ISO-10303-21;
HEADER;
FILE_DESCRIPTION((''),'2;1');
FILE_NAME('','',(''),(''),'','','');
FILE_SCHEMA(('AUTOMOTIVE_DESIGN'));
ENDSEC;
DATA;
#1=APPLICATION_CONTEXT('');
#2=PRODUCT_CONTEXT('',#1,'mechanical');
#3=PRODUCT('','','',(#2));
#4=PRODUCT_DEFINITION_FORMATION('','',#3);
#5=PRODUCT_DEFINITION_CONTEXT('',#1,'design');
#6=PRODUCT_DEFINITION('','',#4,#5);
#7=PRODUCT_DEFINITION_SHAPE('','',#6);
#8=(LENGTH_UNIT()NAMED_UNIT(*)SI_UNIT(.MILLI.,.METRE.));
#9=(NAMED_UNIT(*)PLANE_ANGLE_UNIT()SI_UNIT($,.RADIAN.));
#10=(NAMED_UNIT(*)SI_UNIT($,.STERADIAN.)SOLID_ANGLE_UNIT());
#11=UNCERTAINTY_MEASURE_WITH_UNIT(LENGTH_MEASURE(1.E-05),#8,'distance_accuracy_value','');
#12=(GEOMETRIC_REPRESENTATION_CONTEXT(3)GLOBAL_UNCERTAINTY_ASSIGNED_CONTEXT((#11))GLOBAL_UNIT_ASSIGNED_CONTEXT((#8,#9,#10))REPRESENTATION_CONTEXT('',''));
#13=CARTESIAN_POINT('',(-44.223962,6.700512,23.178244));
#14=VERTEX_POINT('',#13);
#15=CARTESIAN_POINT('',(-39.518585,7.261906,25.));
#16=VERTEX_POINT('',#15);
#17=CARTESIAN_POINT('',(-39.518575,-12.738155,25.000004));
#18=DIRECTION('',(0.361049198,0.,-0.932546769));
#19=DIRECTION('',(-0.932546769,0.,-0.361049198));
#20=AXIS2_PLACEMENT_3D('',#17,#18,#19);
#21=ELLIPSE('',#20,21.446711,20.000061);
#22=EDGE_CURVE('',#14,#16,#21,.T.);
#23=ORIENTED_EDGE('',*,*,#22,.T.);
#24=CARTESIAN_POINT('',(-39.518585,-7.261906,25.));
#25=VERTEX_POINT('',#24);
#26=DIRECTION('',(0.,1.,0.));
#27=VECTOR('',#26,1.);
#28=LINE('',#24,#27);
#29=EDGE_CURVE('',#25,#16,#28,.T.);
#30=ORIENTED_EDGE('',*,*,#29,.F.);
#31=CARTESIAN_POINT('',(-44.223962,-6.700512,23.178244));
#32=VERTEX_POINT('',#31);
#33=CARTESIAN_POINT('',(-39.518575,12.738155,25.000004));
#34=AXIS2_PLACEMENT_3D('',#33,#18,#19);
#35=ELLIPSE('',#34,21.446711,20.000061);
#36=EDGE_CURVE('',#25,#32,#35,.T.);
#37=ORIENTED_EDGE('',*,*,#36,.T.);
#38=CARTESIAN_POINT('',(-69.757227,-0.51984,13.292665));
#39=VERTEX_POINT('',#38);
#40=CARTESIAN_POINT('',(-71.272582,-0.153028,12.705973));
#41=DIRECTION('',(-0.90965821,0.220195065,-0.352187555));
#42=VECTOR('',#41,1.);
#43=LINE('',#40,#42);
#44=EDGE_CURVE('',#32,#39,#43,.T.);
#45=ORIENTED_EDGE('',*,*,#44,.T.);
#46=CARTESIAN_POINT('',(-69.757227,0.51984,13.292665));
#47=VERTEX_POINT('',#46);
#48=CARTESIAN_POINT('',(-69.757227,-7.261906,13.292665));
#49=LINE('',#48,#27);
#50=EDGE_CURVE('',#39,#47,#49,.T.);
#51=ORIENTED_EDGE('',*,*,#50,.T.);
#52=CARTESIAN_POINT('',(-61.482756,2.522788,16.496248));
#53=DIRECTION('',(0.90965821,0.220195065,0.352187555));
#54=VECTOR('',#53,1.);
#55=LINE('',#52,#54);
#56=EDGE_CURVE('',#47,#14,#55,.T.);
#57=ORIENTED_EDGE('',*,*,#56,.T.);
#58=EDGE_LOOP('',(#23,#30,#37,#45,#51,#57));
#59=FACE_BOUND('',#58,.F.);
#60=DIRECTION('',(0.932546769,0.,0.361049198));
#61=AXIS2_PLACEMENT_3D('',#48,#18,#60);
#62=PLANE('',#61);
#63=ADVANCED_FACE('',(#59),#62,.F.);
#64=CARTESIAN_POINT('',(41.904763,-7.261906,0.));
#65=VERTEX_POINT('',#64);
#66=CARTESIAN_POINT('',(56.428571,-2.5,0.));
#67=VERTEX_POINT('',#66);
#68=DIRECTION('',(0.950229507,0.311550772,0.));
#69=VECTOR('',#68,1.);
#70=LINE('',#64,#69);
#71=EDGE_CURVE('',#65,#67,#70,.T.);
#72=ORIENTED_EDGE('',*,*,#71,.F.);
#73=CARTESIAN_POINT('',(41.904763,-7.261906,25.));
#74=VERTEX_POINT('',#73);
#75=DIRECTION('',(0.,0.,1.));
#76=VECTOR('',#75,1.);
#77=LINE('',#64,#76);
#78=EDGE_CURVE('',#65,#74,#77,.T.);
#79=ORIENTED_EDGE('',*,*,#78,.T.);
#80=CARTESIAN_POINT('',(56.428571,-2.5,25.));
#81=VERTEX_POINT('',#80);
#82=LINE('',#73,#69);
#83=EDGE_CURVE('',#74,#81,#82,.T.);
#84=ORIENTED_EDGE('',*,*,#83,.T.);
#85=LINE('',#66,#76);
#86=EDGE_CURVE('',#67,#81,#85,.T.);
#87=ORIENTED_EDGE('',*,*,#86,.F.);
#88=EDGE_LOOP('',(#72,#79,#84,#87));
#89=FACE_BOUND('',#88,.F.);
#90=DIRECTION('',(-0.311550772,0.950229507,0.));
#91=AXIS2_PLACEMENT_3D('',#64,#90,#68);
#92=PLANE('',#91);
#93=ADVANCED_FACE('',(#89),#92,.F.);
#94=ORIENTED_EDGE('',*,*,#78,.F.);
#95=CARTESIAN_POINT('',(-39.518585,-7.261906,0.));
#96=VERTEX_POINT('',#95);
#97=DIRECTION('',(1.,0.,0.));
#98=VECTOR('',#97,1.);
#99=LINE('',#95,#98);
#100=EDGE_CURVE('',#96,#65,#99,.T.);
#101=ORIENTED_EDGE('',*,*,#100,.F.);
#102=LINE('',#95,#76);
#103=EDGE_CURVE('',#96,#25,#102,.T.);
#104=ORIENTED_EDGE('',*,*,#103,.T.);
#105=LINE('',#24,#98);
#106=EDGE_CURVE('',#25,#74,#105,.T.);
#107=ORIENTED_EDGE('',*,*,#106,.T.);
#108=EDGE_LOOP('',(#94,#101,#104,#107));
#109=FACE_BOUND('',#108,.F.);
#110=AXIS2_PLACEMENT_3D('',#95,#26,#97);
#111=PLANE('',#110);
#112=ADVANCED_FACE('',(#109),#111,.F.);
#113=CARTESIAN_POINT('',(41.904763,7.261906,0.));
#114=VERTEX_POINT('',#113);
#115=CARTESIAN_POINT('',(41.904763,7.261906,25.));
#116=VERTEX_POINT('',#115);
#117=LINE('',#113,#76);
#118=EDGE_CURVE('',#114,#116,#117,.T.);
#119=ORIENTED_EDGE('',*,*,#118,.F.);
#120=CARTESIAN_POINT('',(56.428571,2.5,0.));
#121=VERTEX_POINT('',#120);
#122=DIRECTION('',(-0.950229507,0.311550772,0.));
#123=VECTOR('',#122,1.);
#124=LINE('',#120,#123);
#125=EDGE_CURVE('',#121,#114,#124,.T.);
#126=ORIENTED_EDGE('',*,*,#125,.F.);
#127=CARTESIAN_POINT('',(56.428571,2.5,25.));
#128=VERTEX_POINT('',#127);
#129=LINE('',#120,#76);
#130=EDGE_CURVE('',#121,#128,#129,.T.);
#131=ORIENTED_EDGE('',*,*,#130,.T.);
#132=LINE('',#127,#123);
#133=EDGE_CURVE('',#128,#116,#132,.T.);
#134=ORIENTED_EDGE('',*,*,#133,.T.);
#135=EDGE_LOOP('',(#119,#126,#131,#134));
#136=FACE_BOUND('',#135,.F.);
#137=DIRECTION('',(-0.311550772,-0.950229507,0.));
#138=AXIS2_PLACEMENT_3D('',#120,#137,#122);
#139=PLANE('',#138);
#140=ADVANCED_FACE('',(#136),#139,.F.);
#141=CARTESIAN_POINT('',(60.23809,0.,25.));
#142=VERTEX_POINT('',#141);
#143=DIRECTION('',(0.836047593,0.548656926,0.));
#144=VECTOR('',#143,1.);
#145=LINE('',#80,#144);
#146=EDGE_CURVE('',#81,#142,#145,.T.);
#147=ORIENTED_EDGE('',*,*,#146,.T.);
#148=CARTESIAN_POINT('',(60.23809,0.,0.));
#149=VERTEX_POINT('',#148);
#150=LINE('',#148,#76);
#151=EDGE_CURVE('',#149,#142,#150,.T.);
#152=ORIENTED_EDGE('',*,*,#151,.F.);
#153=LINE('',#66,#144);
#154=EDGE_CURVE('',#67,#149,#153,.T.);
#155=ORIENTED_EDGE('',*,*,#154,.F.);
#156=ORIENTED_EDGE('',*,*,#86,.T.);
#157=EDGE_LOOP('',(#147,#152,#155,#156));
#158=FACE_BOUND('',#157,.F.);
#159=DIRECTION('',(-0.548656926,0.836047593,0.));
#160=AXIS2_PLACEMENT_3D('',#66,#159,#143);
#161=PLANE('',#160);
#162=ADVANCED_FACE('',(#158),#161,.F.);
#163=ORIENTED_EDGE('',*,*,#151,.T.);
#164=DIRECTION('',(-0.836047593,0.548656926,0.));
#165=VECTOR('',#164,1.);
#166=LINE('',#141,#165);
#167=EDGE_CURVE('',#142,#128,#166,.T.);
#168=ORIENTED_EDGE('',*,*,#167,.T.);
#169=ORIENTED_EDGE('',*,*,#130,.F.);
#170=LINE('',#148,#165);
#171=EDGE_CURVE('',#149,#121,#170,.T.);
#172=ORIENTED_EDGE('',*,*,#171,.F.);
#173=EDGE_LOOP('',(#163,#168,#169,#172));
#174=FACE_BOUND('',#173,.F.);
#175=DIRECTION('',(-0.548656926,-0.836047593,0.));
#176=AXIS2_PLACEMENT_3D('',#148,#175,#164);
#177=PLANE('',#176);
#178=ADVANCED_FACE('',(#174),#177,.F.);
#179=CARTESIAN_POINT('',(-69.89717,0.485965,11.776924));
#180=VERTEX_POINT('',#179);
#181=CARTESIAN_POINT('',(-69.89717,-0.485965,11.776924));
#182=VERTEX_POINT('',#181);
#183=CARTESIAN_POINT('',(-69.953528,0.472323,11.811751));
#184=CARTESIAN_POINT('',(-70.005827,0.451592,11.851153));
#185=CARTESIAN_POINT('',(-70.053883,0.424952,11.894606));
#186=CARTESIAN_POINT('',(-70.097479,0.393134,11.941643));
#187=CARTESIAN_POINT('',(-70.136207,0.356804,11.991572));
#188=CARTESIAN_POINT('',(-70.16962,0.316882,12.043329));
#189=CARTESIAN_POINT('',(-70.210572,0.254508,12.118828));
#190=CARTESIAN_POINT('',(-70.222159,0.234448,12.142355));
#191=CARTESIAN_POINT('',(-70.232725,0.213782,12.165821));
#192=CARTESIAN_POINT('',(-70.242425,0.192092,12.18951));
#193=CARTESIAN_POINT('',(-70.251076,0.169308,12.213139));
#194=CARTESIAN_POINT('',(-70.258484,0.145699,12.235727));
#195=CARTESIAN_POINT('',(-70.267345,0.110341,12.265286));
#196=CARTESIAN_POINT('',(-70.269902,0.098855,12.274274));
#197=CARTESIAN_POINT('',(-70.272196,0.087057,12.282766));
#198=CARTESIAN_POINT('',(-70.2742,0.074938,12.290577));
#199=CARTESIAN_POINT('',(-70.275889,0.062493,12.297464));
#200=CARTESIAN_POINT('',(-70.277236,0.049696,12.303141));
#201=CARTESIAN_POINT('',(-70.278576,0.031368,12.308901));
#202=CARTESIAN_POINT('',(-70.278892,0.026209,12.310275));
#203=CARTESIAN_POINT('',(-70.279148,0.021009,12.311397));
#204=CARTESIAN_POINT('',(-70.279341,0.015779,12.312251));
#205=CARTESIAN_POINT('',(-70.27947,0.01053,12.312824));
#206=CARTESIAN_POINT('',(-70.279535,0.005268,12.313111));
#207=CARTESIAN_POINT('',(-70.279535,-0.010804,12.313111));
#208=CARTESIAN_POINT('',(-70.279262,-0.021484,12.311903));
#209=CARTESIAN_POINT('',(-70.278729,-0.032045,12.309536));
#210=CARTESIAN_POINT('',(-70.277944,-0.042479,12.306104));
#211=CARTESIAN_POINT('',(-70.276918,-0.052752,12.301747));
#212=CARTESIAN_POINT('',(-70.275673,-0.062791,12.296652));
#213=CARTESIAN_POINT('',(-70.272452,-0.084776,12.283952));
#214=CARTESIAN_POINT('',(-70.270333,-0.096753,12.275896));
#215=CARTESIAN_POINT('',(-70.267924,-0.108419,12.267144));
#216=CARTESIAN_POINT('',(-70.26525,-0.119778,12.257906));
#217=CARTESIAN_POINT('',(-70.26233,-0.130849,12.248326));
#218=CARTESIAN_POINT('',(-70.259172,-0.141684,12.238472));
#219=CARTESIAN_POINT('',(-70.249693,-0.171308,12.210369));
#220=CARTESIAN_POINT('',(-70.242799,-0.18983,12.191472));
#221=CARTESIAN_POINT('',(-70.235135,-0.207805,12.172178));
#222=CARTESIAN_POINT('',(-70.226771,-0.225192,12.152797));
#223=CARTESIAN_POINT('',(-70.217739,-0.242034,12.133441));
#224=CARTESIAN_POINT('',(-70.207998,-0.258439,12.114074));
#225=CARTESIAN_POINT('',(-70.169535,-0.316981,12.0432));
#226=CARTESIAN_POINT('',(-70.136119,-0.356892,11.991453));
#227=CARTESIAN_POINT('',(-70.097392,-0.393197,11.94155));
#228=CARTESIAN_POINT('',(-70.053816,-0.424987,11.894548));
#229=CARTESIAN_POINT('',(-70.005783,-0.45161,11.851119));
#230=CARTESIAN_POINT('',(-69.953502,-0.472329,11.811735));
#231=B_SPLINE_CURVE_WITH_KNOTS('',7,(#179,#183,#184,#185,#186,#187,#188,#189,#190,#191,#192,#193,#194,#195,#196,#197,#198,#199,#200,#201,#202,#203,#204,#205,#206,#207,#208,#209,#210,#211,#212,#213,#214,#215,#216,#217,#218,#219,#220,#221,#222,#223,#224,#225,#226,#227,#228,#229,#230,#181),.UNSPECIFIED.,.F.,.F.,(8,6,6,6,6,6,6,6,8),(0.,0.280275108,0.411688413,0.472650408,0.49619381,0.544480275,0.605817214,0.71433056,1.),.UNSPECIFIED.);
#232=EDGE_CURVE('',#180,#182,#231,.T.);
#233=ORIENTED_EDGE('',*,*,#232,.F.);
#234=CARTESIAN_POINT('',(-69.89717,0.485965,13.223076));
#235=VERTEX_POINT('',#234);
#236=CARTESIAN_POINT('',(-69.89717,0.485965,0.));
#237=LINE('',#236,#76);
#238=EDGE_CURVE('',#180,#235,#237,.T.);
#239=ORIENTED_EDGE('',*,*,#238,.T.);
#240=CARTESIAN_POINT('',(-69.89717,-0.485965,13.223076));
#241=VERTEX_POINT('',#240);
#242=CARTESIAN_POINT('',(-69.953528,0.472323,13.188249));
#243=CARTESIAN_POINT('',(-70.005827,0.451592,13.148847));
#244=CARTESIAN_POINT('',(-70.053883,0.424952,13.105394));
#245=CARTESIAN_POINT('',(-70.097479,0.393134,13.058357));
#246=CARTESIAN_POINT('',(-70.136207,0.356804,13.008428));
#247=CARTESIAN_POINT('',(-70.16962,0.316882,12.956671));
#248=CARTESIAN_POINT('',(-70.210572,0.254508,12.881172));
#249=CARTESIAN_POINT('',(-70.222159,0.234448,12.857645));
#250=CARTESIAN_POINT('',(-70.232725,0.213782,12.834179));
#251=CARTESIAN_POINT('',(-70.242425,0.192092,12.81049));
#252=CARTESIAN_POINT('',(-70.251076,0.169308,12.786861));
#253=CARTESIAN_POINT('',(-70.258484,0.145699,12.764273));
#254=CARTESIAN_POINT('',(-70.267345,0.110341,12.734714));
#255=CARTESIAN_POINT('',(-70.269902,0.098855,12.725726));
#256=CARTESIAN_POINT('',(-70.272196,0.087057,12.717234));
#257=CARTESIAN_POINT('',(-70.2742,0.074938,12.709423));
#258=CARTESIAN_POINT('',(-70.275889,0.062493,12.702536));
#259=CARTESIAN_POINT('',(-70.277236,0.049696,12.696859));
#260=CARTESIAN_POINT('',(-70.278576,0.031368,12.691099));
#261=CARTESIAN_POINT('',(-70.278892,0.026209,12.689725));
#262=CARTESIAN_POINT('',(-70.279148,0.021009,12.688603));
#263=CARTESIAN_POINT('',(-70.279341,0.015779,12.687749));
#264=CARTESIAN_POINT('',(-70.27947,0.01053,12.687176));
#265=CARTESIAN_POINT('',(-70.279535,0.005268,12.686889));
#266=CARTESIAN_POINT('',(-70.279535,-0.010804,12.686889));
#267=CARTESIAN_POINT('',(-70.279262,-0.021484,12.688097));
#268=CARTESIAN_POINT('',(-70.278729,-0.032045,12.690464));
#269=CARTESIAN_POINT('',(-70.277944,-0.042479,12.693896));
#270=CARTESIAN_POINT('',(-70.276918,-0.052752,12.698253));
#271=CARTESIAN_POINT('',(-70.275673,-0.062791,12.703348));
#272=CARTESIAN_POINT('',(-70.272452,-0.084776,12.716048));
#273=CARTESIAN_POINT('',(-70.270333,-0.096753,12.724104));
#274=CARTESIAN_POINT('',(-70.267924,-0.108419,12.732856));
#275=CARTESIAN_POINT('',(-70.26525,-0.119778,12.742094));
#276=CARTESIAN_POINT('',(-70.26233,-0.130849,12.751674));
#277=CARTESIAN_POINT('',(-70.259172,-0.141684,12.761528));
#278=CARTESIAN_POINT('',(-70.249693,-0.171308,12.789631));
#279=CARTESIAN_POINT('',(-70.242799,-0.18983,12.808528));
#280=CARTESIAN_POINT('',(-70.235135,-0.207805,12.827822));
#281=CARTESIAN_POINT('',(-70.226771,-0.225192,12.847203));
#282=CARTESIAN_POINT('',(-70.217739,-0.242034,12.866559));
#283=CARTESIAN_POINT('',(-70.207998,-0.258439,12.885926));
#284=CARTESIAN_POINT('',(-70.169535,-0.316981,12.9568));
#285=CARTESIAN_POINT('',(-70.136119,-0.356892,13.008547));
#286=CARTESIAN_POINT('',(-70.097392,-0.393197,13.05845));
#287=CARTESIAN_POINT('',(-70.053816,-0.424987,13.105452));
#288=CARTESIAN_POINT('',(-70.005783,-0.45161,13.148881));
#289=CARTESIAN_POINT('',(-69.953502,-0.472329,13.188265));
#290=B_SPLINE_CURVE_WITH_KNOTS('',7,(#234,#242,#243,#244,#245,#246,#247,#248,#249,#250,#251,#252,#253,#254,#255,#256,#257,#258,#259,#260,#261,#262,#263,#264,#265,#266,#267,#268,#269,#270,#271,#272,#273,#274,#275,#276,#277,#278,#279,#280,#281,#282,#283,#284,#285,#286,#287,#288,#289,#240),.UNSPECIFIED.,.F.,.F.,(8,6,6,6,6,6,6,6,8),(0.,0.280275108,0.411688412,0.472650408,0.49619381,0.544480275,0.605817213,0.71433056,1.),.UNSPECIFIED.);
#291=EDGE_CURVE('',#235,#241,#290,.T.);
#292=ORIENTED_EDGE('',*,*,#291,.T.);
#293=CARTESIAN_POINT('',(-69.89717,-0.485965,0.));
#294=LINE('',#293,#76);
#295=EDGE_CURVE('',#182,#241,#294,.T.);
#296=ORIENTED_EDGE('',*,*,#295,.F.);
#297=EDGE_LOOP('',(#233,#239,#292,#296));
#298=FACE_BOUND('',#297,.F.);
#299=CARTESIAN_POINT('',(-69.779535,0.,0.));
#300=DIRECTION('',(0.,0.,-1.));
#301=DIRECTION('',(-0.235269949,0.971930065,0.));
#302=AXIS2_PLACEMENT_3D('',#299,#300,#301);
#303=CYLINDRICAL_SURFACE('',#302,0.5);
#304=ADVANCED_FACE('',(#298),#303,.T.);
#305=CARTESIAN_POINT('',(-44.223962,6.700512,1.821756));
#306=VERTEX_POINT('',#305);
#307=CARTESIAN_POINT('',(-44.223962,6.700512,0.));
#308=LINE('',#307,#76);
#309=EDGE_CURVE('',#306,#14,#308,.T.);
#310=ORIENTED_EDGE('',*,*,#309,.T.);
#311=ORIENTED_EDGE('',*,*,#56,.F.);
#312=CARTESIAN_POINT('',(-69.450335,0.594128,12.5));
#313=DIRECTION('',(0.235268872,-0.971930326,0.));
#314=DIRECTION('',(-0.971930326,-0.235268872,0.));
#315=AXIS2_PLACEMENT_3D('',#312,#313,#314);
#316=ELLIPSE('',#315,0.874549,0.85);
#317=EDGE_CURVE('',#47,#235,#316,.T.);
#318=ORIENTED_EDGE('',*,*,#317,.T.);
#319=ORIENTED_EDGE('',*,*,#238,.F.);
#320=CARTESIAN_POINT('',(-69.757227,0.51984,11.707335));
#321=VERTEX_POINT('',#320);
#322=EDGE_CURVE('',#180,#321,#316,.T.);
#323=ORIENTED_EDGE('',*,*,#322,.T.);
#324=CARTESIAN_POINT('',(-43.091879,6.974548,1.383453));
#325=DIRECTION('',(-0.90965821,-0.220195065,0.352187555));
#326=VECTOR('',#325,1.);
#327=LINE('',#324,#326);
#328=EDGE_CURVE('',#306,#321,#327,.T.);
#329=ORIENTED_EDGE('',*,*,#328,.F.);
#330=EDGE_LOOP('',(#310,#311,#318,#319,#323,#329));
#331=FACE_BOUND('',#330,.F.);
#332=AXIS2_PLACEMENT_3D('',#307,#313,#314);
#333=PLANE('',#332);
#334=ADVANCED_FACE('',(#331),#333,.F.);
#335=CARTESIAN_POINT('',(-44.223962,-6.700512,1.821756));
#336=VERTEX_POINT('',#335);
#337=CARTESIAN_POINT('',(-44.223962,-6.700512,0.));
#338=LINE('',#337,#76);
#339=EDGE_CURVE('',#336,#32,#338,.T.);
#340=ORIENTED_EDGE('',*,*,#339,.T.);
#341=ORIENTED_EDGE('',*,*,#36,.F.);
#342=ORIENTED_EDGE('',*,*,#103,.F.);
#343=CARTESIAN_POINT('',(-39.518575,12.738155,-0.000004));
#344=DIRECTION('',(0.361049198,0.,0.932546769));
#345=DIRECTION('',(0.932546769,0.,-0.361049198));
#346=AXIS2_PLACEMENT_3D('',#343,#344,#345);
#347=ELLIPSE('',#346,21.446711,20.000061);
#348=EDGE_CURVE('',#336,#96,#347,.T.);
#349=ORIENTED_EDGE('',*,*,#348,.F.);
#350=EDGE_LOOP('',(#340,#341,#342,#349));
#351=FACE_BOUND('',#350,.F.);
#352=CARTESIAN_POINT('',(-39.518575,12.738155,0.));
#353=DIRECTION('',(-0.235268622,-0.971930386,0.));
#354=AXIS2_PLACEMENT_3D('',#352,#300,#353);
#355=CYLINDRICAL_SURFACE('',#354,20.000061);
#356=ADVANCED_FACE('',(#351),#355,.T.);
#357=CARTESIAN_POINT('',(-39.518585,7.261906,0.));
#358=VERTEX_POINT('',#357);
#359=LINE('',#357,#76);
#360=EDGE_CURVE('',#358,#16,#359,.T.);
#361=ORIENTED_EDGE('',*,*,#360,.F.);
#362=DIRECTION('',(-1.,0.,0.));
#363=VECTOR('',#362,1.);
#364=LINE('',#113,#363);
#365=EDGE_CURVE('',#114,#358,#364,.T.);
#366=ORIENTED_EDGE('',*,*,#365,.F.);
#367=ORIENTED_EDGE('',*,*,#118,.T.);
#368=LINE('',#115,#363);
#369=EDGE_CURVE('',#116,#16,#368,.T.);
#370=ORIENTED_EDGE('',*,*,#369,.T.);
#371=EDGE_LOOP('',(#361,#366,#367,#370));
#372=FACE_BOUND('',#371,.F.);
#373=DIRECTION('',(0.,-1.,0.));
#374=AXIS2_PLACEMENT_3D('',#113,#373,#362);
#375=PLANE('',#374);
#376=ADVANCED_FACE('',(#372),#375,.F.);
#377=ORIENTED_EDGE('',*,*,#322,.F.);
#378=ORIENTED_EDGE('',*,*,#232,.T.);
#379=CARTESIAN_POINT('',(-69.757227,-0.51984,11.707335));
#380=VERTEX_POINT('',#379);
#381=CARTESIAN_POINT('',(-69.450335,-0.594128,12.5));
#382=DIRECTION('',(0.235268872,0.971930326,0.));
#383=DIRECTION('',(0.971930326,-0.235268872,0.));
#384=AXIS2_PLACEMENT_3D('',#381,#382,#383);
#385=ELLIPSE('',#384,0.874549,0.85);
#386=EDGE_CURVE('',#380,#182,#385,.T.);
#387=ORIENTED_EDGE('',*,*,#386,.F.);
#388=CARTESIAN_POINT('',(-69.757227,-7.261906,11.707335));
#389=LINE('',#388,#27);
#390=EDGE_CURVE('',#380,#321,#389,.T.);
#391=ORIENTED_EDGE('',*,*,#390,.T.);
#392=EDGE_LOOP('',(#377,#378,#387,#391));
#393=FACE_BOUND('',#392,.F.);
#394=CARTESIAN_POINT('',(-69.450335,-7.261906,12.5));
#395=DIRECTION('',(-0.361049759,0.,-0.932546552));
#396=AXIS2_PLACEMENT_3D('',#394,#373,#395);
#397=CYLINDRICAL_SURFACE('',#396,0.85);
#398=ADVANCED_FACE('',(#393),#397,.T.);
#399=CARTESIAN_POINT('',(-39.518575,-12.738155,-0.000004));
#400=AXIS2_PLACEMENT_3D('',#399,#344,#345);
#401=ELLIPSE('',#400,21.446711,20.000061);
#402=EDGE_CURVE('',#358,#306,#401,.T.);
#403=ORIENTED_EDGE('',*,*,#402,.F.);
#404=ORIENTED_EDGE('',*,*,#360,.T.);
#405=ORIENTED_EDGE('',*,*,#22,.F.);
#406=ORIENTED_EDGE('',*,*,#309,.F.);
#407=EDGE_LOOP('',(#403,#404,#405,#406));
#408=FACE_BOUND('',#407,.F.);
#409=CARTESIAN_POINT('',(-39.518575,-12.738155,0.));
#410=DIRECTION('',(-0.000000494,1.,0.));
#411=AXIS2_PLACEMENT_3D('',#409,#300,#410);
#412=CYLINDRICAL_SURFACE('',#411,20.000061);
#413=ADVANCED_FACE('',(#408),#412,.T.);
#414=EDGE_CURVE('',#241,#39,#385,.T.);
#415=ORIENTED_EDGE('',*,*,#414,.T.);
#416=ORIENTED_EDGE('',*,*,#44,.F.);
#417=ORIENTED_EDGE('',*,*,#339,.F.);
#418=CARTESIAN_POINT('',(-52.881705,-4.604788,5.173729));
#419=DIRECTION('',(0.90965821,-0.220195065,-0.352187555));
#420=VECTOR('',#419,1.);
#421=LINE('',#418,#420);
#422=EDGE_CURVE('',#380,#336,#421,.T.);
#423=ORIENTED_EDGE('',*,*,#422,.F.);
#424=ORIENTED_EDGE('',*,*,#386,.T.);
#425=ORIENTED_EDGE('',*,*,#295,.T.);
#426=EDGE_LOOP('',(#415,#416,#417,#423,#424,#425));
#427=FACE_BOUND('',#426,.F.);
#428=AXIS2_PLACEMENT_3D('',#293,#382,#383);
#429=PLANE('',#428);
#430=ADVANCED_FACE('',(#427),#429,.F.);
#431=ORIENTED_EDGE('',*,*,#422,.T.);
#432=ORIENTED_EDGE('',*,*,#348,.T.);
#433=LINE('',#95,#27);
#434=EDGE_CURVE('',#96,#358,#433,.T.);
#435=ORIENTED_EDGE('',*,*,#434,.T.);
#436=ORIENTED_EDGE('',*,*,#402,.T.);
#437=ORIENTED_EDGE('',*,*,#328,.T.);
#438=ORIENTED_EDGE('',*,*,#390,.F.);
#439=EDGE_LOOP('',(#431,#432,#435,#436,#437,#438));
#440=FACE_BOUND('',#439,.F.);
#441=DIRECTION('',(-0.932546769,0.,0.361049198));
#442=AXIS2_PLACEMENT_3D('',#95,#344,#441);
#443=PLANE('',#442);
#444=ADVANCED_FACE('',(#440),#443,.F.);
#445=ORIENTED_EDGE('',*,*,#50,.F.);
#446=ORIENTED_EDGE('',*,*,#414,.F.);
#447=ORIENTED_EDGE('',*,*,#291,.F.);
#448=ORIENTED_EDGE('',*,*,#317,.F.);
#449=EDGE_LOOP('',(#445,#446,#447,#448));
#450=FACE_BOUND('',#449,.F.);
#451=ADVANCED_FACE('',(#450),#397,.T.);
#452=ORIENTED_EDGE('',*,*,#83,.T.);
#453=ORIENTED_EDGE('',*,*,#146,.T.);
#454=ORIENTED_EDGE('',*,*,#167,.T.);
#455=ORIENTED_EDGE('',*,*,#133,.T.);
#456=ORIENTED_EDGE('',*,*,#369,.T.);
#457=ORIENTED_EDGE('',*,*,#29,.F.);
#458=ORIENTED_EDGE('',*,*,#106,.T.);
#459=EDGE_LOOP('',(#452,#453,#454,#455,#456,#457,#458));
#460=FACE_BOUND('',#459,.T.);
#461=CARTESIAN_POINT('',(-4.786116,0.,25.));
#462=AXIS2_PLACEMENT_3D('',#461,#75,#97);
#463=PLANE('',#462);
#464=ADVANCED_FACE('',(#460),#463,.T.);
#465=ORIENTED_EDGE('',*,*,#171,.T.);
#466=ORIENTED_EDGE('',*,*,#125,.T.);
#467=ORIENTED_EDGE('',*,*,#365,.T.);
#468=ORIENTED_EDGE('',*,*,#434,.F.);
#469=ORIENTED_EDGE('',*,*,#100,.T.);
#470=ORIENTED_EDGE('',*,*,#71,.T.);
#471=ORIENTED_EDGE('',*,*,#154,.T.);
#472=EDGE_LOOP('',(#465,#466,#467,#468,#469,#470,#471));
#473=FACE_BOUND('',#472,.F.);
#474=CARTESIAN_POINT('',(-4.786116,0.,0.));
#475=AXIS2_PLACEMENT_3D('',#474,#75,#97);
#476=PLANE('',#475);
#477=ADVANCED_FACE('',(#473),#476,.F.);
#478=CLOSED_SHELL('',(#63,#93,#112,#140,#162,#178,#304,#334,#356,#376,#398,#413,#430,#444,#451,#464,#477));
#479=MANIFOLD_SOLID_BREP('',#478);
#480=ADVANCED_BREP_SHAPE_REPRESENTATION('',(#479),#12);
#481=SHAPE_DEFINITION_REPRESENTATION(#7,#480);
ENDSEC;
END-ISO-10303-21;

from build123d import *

# Parameters (mm, degrees)
F1_DEPTH = 25
F3_DEPTH = 14.524811


with BuildPart() as f1:
    # F0 (on Top) → F1 (new body)
    with BuildSketch(Plane.XY):
        with BuildLine():
            Line((56.428571, 2.5), (41.904763, 7.261906))
            Line((41.904763, 7.261906), (-39.518585, 7.261906))
            ThreePointArc((-39.518585, 7.261906), (-41.887959, 7.121061), (-44.223962, 6.700512))
            Line((-44.223962, 6.700512), (-69.89717, 0.485965))
            ThreePointArc((-69.89717, 0.485965), (-70.279535, 0), (-69.89717, -0.485965))
            Line((-69.89717, -0.485965), (-44.223962, -6.700512))
            ThreePointArc((-44.223962, -6.700512), (-41.887959, -7.121061), (-39.518585, -7.261906))
            Line((-39.518585, -7.261906), (41.904763, -7.261906))
            Line((41.904763, -7.261906), (56.428571, -2.5))
            Line((56.428571, -2.5), (60.23809, 0))
            Line((60.23809, 0), (56.428571, 2.5))
        make_face()
    extrude(amount=F1_DEPTH)

    # F2 (on face) → F3 (cut, through all)
    with BuildSketch(Plane.XZ.offset(7.261906)):
        with BuildLine():
            Line((-69.757227, 13.292665), (-39.518585, 25))
            Line((-39.518585, 25), (-72.551064, 25))
            Line((-72.551064, 25), (-72.551064, 0))
            Line((-72.551064, 0), (-39.518585, 0))
            Line((-39.518585, 0), (-69.757227, 11.707335))
            ThreePointArc((-69.757227, 11.707335), (-70.300335, 12.5), (-69.757227, 13.292665))
        make_face()
    extrude(amount=-F3_DEPTH, mode=Mode.SUBTRACT)


solid = f1.part
